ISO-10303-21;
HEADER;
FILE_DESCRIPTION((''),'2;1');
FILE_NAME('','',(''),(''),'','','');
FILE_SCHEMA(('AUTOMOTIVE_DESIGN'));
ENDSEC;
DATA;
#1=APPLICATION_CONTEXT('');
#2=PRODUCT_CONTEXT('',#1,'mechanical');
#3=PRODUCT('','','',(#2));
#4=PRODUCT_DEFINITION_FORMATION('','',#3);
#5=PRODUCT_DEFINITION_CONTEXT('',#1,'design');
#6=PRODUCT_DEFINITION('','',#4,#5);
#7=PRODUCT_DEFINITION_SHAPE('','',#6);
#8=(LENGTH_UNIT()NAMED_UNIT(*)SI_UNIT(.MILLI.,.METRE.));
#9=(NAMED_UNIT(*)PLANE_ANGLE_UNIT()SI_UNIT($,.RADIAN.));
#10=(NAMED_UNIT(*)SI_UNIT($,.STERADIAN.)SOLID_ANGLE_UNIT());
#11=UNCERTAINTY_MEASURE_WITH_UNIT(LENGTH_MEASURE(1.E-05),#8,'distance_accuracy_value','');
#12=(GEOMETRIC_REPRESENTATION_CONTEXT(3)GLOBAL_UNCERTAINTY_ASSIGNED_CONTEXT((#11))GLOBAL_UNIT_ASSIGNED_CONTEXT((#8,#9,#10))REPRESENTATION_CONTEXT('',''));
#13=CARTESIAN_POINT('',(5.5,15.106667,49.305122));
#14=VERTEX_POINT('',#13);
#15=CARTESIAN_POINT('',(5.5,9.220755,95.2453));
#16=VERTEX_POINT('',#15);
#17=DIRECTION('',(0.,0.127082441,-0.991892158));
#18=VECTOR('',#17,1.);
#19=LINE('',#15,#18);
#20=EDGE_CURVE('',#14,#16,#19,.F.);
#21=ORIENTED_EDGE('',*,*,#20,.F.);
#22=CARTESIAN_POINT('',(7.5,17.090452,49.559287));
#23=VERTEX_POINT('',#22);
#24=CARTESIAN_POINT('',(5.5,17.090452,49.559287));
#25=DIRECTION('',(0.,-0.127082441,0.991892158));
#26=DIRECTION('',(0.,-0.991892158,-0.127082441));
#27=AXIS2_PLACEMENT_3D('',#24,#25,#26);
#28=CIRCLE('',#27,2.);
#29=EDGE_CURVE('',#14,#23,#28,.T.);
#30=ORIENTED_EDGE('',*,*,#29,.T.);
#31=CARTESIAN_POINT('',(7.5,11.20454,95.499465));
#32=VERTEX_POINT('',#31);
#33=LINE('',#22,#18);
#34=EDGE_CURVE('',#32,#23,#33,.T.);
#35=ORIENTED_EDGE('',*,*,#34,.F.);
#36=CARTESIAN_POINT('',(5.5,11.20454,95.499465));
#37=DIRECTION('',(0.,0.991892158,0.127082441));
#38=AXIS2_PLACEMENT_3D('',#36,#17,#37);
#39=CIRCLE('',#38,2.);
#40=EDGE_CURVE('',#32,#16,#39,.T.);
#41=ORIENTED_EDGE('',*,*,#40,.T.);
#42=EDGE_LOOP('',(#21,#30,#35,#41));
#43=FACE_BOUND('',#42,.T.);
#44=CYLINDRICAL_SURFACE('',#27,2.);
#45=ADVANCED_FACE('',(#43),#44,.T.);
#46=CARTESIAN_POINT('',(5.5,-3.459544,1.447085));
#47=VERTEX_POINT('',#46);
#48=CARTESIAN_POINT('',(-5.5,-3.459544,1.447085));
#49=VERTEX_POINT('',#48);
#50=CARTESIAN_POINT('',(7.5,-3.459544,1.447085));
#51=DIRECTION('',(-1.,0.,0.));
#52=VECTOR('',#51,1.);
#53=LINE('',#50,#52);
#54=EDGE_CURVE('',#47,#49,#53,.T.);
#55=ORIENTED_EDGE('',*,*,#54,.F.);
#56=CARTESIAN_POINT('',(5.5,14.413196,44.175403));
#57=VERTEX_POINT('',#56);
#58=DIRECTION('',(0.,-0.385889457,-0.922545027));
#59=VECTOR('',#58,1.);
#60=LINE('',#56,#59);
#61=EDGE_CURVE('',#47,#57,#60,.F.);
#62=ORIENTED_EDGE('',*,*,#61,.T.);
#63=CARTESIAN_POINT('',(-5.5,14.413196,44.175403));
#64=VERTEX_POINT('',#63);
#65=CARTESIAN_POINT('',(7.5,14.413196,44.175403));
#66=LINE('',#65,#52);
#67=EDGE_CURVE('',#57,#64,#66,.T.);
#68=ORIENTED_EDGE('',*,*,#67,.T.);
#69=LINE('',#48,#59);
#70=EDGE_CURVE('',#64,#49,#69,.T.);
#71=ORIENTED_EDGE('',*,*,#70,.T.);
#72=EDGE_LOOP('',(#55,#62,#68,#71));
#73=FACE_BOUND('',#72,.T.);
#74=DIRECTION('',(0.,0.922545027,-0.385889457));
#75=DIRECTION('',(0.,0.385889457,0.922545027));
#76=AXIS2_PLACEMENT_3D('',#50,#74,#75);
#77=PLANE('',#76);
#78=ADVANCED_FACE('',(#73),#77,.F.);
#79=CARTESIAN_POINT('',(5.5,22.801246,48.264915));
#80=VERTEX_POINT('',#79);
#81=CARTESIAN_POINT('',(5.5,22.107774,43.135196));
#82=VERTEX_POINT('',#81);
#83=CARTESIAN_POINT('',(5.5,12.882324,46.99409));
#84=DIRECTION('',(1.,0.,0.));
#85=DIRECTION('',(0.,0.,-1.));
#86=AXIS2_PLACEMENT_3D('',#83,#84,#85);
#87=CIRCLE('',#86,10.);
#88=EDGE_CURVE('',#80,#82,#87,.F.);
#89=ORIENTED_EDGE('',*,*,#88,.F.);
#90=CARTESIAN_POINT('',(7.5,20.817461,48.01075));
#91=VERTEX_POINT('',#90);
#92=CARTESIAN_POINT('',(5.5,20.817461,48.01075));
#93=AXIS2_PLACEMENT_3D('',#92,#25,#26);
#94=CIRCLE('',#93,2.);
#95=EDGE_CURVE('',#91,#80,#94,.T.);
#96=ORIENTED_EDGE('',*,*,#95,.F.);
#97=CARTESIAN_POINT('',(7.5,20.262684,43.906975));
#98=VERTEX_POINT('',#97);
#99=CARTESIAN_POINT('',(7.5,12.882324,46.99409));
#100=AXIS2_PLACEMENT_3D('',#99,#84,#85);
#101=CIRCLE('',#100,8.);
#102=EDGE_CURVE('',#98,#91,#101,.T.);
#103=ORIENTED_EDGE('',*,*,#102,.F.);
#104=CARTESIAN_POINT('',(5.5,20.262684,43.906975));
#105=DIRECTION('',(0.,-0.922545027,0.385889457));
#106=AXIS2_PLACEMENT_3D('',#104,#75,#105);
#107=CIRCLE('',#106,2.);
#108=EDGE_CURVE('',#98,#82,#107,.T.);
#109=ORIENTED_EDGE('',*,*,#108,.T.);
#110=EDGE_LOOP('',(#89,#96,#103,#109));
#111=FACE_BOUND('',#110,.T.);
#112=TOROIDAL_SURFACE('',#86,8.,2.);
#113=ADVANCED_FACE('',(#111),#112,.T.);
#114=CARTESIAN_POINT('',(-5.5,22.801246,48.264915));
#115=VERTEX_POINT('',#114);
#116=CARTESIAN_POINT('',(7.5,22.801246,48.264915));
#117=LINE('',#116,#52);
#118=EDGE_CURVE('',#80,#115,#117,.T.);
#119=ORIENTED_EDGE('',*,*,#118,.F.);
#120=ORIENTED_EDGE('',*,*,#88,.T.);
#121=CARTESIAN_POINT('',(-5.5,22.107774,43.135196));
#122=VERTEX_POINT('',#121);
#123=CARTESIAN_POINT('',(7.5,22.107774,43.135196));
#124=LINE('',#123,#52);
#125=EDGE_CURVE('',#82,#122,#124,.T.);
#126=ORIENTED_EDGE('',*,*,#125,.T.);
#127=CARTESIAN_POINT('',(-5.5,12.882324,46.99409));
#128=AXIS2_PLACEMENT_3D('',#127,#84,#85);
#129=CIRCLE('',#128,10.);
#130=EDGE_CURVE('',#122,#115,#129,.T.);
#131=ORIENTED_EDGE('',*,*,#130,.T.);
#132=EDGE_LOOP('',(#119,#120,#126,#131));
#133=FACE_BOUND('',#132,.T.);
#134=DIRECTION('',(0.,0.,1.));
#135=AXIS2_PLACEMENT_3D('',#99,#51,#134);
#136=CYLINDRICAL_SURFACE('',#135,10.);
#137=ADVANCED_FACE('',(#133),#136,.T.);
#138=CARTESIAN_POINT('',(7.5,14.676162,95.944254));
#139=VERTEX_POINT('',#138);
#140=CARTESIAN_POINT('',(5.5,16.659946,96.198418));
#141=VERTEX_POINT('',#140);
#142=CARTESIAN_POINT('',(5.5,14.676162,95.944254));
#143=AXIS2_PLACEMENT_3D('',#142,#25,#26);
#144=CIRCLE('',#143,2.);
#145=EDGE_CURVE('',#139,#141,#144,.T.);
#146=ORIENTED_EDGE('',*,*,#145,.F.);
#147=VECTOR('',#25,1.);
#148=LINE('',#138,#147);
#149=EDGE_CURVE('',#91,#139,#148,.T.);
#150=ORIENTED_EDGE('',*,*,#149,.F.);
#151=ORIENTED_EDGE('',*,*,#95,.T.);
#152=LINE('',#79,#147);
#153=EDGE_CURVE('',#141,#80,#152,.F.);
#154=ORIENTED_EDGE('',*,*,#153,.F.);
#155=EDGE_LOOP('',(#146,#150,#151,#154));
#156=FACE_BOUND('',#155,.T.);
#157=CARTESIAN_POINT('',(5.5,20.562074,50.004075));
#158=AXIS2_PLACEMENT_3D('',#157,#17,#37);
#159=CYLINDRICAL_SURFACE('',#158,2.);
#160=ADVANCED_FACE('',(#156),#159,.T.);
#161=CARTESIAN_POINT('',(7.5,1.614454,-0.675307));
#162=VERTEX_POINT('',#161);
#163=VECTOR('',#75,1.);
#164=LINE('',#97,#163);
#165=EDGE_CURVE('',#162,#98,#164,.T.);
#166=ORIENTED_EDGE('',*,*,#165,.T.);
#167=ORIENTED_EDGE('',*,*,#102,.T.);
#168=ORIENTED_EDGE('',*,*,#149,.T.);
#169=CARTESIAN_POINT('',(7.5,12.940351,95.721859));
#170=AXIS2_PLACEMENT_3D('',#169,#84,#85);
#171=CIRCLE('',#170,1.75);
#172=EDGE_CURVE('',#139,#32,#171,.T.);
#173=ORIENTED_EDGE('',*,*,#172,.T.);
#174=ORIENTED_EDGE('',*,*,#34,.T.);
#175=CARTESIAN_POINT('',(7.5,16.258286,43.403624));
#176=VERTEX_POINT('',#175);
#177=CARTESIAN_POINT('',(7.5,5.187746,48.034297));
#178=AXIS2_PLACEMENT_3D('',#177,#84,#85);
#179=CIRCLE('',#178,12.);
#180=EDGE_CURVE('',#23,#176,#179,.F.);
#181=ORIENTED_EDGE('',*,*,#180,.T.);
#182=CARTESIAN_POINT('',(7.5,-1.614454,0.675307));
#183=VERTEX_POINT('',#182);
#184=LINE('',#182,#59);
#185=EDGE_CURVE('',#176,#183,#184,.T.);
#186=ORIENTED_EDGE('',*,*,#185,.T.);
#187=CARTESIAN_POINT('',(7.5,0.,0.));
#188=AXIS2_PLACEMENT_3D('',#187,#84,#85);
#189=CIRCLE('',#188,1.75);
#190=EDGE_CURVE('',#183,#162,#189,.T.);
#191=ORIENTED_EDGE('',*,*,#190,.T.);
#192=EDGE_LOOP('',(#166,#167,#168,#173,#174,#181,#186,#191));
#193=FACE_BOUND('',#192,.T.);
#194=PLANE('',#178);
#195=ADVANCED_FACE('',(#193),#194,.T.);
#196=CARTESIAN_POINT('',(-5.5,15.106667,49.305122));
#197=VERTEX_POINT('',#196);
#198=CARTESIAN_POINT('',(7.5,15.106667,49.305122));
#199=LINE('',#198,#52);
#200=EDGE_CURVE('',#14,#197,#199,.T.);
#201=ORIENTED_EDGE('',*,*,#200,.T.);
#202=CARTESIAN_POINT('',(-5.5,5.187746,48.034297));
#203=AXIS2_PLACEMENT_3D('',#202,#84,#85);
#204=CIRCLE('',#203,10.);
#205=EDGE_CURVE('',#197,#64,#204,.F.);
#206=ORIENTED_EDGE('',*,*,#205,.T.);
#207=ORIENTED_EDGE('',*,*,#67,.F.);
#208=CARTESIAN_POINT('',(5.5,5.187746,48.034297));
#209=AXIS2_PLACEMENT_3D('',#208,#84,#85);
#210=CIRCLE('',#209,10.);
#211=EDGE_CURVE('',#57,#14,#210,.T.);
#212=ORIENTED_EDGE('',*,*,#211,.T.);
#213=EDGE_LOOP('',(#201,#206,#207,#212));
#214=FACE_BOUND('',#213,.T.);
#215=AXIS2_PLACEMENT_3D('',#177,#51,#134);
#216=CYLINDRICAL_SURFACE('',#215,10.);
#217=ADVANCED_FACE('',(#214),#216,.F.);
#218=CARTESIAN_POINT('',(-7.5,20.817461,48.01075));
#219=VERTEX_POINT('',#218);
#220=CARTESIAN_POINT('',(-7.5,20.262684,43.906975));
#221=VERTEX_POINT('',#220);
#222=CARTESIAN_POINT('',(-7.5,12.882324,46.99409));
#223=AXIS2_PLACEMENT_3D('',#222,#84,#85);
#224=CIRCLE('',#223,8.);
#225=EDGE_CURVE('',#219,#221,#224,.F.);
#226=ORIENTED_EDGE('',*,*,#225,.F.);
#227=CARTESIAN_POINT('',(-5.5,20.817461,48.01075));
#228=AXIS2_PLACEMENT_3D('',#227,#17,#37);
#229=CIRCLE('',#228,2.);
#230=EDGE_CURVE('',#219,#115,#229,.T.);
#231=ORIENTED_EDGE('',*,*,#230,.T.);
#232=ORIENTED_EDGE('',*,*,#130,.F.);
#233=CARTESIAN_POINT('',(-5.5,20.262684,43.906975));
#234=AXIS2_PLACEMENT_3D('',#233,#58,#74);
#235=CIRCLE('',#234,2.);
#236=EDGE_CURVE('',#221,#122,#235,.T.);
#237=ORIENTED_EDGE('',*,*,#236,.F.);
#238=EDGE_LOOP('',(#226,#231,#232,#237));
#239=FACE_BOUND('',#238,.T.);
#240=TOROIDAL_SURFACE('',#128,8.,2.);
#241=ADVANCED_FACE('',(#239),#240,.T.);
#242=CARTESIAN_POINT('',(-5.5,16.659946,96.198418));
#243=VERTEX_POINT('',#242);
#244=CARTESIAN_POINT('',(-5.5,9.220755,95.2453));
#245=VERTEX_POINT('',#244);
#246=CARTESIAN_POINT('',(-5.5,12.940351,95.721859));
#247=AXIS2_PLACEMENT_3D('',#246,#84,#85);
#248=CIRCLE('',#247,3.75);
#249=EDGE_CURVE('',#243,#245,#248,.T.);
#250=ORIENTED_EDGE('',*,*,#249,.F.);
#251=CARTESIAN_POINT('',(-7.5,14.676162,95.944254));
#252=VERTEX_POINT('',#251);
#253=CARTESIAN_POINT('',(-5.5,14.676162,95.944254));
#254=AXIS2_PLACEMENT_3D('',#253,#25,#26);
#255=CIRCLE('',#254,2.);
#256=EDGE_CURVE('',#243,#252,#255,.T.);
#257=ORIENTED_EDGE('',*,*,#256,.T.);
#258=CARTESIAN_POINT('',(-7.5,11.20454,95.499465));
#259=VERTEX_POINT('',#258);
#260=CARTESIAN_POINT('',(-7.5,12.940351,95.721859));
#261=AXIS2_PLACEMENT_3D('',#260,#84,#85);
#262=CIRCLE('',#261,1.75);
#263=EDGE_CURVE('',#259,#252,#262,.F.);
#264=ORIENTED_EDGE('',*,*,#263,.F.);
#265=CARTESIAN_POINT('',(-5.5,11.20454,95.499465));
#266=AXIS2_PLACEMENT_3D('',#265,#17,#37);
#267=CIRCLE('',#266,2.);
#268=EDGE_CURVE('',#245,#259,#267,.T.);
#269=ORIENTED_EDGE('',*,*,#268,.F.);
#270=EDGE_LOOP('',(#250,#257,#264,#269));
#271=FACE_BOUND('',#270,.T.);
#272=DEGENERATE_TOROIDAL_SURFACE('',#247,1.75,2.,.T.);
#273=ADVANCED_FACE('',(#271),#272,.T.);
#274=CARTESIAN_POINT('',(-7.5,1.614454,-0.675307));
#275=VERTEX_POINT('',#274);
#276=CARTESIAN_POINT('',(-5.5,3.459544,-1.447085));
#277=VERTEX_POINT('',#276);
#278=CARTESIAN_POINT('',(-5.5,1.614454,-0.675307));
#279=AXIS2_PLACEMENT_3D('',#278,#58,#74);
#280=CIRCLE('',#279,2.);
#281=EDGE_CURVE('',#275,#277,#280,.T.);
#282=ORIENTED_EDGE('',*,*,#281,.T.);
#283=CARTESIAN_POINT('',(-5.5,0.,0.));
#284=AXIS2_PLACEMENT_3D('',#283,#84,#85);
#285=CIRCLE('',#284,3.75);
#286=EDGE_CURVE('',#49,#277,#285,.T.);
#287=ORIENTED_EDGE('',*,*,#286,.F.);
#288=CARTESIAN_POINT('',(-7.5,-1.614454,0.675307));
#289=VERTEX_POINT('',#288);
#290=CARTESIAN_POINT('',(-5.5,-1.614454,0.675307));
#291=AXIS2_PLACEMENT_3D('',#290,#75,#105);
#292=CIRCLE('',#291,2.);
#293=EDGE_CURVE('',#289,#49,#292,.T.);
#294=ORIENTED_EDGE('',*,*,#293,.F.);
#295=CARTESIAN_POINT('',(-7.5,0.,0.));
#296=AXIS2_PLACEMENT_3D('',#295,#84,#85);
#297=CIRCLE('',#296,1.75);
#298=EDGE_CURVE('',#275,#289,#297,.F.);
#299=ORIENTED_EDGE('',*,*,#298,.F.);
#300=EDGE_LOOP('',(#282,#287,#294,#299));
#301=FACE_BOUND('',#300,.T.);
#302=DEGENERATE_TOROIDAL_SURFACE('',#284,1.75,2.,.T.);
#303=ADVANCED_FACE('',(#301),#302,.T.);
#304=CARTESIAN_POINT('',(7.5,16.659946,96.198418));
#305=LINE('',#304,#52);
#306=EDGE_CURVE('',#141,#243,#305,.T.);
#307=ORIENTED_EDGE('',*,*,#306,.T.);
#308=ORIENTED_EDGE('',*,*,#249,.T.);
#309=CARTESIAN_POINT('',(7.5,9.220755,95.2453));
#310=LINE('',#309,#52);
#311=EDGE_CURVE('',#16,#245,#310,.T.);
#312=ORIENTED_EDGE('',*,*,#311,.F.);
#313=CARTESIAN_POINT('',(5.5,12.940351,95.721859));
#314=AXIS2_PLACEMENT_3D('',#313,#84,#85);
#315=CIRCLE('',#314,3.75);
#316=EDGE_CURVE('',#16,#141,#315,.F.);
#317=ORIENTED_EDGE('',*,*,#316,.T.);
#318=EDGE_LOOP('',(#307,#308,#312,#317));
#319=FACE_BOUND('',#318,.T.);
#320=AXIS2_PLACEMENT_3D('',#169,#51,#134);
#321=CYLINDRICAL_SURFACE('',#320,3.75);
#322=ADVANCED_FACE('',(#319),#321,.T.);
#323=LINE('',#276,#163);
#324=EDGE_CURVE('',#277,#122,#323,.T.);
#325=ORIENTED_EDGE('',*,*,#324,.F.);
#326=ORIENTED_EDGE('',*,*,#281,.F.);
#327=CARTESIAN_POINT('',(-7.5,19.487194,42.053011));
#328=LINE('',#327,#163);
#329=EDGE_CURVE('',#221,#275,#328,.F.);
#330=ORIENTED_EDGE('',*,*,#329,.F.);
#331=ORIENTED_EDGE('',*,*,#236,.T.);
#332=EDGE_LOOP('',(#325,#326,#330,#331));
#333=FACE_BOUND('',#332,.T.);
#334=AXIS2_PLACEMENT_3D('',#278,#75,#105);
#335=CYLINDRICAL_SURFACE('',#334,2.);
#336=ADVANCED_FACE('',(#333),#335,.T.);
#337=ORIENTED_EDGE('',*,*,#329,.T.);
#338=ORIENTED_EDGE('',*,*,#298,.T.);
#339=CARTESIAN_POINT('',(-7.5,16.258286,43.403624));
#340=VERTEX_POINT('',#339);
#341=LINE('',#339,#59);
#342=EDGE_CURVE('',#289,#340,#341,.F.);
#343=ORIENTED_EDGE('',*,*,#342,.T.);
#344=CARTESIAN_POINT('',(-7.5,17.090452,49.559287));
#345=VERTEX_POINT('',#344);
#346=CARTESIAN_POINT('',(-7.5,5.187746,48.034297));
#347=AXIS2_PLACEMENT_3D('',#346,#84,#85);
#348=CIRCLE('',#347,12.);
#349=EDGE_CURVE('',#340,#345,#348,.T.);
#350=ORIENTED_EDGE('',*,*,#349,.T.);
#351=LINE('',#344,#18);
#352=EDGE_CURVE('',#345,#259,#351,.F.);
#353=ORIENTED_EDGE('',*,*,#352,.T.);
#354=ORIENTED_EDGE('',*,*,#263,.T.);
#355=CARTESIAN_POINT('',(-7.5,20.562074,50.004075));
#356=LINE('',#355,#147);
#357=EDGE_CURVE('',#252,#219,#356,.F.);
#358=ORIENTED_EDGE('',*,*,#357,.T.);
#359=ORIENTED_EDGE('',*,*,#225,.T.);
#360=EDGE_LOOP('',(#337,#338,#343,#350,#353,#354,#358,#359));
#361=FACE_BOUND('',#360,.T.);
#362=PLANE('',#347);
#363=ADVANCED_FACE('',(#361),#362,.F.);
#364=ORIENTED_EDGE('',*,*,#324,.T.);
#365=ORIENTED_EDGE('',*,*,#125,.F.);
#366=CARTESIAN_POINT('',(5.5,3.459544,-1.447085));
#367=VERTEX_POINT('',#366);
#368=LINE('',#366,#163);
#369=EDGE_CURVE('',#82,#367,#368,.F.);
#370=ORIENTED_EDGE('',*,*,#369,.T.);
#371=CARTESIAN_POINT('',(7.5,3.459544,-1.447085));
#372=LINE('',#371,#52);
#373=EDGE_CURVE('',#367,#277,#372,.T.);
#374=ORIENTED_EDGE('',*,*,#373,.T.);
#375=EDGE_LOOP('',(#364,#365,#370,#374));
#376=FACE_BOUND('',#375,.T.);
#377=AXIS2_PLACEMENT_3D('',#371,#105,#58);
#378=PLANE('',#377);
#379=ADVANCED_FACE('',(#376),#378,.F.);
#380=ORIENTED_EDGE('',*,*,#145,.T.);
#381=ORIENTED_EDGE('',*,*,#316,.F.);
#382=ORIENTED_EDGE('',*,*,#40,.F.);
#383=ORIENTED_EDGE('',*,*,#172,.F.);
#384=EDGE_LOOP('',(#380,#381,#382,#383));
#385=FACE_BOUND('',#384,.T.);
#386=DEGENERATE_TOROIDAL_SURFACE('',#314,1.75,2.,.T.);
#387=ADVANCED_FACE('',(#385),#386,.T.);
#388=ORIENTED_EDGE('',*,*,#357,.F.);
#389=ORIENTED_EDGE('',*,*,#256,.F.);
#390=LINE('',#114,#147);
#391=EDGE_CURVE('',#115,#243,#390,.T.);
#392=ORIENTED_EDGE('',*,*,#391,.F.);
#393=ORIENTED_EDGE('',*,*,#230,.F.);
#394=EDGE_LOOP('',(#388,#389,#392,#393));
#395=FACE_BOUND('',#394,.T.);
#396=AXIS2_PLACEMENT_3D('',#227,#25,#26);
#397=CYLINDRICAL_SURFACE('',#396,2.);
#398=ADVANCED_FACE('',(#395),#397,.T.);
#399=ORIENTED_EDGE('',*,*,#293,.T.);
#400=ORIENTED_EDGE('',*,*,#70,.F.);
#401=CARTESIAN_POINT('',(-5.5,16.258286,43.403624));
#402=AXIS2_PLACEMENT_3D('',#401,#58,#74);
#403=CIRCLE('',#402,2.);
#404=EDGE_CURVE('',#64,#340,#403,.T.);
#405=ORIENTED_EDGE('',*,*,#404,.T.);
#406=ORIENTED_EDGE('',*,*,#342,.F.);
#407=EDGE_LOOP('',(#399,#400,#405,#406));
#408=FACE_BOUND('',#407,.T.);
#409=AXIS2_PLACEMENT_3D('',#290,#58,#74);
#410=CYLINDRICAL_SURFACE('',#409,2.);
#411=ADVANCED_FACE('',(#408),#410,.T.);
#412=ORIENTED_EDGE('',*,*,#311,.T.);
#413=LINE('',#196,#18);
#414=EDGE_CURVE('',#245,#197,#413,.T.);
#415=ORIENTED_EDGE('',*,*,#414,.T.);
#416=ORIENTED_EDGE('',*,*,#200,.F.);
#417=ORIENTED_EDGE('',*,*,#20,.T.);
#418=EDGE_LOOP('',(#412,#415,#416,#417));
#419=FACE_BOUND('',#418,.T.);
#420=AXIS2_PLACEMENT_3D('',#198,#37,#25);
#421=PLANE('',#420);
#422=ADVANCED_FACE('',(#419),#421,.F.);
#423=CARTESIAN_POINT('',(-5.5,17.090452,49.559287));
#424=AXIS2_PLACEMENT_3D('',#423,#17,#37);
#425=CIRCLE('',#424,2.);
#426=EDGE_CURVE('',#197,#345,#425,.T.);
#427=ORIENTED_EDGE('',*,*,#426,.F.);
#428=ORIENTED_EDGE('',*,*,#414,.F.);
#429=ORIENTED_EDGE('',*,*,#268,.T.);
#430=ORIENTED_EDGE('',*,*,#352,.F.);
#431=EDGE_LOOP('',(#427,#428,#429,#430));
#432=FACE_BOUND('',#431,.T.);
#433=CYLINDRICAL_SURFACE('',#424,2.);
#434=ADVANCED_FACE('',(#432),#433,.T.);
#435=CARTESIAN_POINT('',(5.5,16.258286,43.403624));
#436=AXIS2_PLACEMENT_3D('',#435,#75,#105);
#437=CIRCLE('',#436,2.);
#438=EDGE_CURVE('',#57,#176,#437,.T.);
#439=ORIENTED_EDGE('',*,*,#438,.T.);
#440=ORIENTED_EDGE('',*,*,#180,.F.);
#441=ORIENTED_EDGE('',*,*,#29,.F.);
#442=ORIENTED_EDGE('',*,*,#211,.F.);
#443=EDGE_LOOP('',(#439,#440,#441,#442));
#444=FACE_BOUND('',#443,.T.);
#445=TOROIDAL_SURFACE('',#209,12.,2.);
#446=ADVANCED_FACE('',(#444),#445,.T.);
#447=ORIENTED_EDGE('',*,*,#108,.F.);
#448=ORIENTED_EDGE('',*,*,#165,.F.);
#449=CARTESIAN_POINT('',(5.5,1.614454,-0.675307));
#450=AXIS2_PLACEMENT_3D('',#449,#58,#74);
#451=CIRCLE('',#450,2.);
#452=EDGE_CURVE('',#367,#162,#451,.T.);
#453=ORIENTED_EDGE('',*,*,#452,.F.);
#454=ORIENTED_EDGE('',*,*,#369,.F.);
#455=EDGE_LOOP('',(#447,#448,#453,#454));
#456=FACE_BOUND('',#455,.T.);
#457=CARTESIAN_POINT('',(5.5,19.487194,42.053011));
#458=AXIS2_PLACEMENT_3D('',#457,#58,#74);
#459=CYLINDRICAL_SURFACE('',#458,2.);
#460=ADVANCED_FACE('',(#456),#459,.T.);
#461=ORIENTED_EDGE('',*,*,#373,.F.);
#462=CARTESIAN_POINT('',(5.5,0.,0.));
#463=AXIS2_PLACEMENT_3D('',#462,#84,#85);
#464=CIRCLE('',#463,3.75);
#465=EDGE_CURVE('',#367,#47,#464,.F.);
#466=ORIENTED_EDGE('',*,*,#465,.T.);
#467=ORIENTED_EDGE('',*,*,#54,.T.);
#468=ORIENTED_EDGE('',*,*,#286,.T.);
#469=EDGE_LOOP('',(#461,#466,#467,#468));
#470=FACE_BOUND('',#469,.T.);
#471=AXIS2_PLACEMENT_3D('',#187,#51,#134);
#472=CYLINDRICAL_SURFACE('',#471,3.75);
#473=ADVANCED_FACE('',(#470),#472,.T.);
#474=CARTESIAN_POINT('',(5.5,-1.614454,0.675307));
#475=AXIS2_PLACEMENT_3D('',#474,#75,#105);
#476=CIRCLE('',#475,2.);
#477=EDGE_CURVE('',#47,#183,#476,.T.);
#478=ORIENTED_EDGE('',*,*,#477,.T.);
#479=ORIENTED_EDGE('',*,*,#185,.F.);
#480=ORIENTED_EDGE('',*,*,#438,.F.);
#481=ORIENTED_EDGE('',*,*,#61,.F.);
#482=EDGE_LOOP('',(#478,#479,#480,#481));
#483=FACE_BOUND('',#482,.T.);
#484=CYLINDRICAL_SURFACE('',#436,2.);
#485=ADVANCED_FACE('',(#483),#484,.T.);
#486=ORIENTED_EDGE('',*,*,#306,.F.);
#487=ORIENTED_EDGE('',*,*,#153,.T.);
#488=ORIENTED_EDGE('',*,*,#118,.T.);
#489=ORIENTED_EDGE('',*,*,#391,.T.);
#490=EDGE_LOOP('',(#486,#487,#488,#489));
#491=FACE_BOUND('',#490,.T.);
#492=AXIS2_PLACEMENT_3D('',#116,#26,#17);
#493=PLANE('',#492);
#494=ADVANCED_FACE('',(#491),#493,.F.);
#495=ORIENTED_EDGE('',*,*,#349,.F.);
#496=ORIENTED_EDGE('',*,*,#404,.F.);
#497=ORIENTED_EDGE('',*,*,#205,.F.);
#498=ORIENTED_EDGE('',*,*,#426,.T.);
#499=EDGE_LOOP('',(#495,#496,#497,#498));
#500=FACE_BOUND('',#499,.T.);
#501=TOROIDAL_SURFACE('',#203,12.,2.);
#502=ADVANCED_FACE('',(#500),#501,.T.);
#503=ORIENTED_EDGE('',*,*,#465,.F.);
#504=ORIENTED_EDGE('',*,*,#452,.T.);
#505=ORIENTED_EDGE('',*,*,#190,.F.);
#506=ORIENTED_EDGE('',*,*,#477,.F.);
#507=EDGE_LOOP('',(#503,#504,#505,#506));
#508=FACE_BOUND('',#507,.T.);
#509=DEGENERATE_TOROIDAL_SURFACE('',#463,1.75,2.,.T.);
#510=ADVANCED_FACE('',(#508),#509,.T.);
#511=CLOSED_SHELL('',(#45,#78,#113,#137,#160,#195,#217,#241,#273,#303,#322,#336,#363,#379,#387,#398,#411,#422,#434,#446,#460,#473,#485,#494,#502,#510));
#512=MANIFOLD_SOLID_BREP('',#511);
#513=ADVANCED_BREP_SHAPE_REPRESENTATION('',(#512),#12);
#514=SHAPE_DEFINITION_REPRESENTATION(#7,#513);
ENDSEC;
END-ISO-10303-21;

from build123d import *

# Parameters (mm, degrees)
BOSS_EXTRUDE1_DEPTH = 7.5
FILLET1_R           = 2


with BuildPart() as part:
    # Sketch1 → Boss-Extrude1 (new body, symmetric)
    with BuildSketch(Plane(origin=(0, 0, 0), x_dir=(0, 0, -1), z_dir=(1, 0, 0))):
        with BuildLine():
            Line((1.447085463, 3.459543852), (-43.135195924, 22.107774393))
            ThreePointArc((-43.135195924, 22.107774393), (-45.654406798, 22.792180206), (-48.264914902, 22.801245703))
            Line((-48.264914902, 22.801245703), (-96.198418413, 16.659946393))
            ThreePointArc((-96.198418413, 16.659946393), (-99.441454852, 12.463791647), (-95.245300106, 9.220755208))
            Line((-95.245300106, 9.220755208), (-49.305121866, 15.106667237))
            ThreePointArc((-49.305121866, 15.106667237), (-46.694613762, 15.09760174), (-44.175402888, 14.413195927))
            Line((-44.175402888, 14.413195927), (-1.447085463, -3.459543852))
            ThreePointArc((-1.447085463, -3.459543852), (3.459543852, -1.447085463), (1.447085463, 3.459543852))
        make_face()
    extrude(amount=BOSS_EXTRUDE1_DEPTH, both=True)

    # Fillet1
    fillet1_edges = [part.edges().sort_by_distance(p)[0] for p in [
        (-7.5, 12.783659122, 20.844055231),
        (-7.5, -1.447085463, -3.459543852),
        (-7.5, 5.476826038, 22.811244176),
        (-7.5, 15.09760174, 46.694613762),
        (7.5, -1.447085463, -3.459543852),
        (7.5, 12.783659122, 20.844055231),
        (7.5, 22.792180206, 45.654406798),
        (7.5, 19.730596048, 72.231666657),
        (7.5, 12.463791647, 99.441454852),
        (7.5, 12.163711222, 72.275210986),
        (7.5, 15.09760174, 46.694613762),
        (-7.5, 12.163711222, 72.275210986),
        (7.5, 5.476826038, 22.811244176),
        (-7.5, 12.463791647, 99.441454852),
        (-7.5, 19.730596048, 72.231666657),
        (-7.5, 22.792180206, 45.654406798),
    ]]
    fillet(fillet1_edges, radius=FILLET1_R)


solid = part.part
